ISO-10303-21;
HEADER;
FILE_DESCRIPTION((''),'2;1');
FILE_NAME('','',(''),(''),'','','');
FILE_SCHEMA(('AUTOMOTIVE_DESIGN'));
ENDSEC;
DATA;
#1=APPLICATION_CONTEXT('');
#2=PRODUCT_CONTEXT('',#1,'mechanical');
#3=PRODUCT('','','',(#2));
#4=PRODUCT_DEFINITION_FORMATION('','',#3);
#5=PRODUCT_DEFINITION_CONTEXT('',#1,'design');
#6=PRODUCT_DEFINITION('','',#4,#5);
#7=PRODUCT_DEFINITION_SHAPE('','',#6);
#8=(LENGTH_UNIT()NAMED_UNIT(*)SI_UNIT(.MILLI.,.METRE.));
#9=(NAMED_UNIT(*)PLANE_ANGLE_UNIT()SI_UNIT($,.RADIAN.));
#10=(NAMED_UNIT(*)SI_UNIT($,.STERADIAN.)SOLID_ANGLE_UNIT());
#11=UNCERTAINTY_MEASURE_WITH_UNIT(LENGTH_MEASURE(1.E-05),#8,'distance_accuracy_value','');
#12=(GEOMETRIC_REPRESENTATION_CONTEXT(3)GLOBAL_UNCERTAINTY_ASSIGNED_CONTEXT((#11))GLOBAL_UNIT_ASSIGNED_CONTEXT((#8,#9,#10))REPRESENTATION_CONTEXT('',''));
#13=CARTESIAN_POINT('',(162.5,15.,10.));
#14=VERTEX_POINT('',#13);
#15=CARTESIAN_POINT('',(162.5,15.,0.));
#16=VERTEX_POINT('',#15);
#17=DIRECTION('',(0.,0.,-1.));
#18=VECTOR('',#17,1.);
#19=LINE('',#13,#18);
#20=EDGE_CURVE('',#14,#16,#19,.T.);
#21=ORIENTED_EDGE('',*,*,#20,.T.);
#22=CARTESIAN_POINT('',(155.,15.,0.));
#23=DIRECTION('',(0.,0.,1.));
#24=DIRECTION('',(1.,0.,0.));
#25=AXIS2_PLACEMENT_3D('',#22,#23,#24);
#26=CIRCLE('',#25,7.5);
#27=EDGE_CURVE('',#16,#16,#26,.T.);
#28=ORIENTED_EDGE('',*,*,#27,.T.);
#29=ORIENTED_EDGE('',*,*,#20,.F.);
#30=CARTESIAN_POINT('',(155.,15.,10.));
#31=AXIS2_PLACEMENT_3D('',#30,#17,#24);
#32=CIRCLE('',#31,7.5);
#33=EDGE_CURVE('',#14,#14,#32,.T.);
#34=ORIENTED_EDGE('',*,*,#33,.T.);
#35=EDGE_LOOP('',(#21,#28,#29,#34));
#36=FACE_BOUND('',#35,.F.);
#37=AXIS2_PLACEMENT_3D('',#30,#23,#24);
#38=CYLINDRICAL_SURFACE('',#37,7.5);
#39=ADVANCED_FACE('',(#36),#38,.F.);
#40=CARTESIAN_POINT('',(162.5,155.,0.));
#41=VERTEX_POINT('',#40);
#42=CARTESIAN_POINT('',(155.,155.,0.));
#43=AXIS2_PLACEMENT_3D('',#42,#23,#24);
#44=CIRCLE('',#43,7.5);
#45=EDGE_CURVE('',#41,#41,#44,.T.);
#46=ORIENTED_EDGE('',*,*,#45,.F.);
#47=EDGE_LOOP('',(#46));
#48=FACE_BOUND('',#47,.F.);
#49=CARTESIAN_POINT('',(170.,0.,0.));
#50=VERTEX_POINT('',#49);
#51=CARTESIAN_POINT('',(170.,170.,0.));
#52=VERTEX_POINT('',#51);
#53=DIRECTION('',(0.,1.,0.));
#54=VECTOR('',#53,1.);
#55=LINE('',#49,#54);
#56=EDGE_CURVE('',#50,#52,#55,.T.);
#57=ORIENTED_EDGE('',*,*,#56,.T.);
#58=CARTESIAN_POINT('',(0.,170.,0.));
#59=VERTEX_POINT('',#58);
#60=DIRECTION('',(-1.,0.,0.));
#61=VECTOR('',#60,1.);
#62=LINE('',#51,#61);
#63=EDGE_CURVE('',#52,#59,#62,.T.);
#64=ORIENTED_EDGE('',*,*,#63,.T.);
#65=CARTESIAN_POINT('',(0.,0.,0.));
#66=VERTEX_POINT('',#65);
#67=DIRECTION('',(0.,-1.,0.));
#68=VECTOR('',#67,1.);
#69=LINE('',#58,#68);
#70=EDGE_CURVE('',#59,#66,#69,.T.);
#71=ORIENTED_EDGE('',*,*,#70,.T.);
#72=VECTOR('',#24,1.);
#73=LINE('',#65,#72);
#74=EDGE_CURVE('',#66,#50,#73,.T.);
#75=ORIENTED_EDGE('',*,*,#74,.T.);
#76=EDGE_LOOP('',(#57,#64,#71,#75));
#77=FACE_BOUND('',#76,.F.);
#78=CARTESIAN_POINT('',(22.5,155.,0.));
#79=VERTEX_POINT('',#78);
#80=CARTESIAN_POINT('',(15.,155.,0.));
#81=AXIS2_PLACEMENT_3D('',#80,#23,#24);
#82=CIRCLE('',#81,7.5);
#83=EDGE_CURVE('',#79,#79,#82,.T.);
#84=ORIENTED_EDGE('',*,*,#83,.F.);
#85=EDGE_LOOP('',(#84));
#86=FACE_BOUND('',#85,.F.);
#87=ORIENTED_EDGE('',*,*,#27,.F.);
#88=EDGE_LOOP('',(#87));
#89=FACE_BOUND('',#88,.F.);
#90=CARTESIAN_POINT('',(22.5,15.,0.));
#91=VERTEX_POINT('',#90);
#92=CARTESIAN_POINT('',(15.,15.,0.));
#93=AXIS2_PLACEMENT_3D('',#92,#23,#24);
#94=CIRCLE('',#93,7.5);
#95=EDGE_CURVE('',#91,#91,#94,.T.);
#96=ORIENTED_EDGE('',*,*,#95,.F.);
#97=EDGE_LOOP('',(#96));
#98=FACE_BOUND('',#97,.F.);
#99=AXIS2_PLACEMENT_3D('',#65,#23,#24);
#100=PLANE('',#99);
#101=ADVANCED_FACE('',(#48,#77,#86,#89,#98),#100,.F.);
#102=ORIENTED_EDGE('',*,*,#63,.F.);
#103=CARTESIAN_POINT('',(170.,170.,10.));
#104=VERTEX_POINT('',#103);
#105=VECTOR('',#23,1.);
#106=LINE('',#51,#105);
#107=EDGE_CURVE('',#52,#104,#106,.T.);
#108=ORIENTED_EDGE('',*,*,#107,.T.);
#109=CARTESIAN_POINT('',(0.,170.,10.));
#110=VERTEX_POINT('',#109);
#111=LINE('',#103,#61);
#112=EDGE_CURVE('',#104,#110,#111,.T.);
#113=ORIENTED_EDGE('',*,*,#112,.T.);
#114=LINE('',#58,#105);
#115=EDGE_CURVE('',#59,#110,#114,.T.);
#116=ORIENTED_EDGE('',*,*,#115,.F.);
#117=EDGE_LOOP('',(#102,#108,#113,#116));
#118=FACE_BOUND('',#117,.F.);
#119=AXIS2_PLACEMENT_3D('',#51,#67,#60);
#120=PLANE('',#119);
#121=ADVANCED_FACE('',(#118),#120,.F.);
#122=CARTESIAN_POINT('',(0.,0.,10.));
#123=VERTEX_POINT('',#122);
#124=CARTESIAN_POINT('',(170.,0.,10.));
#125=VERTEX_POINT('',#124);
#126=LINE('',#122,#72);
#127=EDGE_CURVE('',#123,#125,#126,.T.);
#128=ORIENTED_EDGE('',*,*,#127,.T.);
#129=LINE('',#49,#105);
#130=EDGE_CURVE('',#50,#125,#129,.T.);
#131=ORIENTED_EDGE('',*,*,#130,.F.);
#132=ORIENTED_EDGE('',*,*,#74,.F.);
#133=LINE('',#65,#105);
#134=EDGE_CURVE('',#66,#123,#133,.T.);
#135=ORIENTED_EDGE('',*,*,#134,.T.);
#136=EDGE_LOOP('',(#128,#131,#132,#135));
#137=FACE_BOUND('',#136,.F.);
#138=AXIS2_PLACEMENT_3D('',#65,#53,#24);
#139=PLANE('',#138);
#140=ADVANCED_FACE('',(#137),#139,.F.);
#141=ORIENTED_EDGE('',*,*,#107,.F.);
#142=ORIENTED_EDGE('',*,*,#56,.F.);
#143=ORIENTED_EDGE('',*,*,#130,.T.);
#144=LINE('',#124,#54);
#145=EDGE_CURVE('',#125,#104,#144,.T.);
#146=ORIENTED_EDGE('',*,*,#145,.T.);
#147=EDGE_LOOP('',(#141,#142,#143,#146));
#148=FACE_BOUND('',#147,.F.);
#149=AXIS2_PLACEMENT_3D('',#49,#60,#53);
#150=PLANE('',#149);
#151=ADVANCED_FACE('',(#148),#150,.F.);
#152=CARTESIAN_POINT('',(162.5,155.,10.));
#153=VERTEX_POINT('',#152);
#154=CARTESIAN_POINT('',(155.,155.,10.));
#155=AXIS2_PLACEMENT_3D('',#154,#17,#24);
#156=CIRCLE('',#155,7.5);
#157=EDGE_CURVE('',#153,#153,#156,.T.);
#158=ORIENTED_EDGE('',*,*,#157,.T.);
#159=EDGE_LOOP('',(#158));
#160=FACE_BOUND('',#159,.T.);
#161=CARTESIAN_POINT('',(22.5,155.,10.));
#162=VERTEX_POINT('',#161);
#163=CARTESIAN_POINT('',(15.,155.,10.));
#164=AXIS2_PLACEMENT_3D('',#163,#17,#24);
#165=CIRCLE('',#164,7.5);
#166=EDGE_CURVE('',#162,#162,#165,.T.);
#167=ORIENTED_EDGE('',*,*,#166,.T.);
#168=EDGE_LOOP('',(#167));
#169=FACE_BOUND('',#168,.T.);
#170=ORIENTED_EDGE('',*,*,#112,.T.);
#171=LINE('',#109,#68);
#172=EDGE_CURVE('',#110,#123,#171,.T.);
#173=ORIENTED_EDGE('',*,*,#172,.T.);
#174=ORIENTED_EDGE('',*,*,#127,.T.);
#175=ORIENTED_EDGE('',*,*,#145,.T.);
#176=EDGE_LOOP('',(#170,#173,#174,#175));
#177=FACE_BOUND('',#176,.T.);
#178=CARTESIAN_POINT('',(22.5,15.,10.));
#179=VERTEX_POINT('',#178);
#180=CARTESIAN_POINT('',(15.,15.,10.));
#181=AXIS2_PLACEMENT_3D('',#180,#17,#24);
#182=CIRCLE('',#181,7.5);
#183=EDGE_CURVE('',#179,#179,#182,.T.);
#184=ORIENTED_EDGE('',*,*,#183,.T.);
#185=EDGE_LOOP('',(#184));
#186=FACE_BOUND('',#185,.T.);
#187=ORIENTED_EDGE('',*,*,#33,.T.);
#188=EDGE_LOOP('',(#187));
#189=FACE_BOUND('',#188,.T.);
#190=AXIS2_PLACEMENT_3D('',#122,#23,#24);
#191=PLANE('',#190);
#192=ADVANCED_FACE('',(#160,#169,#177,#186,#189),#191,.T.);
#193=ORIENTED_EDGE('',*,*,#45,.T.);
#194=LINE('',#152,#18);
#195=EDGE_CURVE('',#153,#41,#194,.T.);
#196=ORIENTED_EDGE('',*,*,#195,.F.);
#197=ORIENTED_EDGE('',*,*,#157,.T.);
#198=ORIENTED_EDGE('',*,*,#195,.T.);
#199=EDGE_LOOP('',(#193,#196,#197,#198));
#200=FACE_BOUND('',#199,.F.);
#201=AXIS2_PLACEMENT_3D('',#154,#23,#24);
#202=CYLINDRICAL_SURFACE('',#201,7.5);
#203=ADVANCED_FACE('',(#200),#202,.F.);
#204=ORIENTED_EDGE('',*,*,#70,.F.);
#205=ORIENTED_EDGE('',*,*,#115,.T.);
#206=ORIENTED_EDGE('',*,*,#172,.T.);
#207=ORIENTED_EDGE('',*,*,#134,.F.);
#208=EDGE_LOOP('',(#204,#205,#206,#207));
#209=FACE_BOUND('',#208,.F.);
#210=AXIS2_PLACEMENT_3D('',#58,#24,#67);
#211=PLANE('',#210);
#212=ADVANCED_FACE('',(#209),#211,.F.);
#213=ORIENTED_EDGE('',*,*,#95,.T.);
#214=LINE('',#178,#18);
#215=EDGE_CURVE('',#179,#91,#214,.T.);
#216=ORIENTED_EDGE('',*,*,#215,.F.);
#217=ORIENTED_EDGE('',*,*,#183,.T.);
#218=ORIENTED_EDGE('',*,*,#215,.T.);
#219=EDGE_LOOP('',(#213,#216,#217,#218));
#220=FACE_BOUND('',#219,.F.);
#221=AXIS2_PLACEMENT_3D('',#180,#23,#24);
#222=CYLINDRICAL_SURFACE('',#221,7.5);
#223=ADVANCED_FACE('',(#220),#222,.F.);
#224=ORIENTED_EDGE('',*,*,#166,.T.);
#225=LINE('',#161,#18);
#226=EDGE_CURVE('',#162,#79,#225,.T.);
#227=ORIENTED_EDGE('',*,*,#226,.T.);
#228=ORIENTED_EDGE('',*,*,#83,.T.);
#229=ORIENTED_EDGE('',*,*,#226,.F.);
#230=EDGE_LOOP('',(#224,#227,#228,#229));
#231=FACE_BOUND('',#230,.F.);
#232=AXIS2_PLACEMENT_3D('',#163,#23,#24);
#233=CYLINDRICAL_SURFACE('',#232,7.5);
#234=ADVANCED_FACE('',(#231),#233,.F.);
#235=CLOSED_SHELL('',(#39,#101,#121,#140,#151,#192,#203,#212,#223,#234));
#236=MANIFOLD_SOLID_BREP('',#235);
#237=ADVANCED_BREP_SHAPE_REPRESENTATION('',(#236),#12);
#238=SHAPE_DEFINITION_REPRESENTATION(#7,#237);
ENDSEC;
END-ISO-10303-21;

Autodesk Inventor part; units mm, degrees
ref_plane "YZ Plane" through (0, 0, 0) normal (1, 0, 0) x (0, 1, 0)
ref_plane "XZ Plane" through (0, 0, 0) normal (0, 1, 0) x (-1, 0, 0)
ref_plane "XY Plane" through (0, 0, 0) normal (0, 0, 1) x (1, 0, 0)
sketch "Sketch1" plane through (0, 0, 0) normal (0, 0, 1) x (1, 0, 0)
  line L0 (0, 0) -> (170, 0)
  line L1 (170, 0) -> (170, 170)
  line L2 (170, 170) -> (0, 170)
  line L3 (0, 170) -> (0, 0)
  dimension "d0" = 170
  dimension "d1" = 170
extrude "Extrusion1" add sketch "Sketch1" along normal blind 10
sketch "Sketch2" plane through (0, 0, 10) normal (0, 0, 1) x (1, 0, 0)
  line L0 (170, 170) -> (0, 170) projected
  line L1 (0, 170) -> (0, 155)
  line L2 (0, 170) -> (0, 0) projected
  line L3 (0, 0) -> (170, 0) projected
  line L4 (0, 0) -> (0, 15)
  line L5 (0, 15) -> (155, 15)
  line L6 (155, 15) -> (155, 155)
  line L7 (155, 155) -> (15, 155)
  line L8 (15, 155) -> (15, 15)
  line L9 (15, 155) -> (30, 155)
  circle A0 centre (15, 155) radius 7.5
  circle A1 centre (155, 155) radius 7.5
  circle A2 centre (155, 15) radius 7.5
  circle A3 centre (15, 15) radius 7.5
  dimension "d4" = 15
  dimension "d5" = 15
  dimension "d6" = 155
  dimension "d7" = 140
  dimension "d8" = 140
  dimension "d9" = 140
  dimension "d10" = 15
  dimension "d11" = 15
  dimension "d12" = 15
  dimension "d13" = 15
extrude "Extrusion2" cut sketch "Sketch2" against normal blind 10 contours L8 A3 L5 | L5 A3 | L5 A3 L8 | A2 L6 L5 | L5 L6 A2 | A0 L7 L8 | L8 L7 A0 | A1 L7 L6 | L6 L7 A1
properties part number "AE"
